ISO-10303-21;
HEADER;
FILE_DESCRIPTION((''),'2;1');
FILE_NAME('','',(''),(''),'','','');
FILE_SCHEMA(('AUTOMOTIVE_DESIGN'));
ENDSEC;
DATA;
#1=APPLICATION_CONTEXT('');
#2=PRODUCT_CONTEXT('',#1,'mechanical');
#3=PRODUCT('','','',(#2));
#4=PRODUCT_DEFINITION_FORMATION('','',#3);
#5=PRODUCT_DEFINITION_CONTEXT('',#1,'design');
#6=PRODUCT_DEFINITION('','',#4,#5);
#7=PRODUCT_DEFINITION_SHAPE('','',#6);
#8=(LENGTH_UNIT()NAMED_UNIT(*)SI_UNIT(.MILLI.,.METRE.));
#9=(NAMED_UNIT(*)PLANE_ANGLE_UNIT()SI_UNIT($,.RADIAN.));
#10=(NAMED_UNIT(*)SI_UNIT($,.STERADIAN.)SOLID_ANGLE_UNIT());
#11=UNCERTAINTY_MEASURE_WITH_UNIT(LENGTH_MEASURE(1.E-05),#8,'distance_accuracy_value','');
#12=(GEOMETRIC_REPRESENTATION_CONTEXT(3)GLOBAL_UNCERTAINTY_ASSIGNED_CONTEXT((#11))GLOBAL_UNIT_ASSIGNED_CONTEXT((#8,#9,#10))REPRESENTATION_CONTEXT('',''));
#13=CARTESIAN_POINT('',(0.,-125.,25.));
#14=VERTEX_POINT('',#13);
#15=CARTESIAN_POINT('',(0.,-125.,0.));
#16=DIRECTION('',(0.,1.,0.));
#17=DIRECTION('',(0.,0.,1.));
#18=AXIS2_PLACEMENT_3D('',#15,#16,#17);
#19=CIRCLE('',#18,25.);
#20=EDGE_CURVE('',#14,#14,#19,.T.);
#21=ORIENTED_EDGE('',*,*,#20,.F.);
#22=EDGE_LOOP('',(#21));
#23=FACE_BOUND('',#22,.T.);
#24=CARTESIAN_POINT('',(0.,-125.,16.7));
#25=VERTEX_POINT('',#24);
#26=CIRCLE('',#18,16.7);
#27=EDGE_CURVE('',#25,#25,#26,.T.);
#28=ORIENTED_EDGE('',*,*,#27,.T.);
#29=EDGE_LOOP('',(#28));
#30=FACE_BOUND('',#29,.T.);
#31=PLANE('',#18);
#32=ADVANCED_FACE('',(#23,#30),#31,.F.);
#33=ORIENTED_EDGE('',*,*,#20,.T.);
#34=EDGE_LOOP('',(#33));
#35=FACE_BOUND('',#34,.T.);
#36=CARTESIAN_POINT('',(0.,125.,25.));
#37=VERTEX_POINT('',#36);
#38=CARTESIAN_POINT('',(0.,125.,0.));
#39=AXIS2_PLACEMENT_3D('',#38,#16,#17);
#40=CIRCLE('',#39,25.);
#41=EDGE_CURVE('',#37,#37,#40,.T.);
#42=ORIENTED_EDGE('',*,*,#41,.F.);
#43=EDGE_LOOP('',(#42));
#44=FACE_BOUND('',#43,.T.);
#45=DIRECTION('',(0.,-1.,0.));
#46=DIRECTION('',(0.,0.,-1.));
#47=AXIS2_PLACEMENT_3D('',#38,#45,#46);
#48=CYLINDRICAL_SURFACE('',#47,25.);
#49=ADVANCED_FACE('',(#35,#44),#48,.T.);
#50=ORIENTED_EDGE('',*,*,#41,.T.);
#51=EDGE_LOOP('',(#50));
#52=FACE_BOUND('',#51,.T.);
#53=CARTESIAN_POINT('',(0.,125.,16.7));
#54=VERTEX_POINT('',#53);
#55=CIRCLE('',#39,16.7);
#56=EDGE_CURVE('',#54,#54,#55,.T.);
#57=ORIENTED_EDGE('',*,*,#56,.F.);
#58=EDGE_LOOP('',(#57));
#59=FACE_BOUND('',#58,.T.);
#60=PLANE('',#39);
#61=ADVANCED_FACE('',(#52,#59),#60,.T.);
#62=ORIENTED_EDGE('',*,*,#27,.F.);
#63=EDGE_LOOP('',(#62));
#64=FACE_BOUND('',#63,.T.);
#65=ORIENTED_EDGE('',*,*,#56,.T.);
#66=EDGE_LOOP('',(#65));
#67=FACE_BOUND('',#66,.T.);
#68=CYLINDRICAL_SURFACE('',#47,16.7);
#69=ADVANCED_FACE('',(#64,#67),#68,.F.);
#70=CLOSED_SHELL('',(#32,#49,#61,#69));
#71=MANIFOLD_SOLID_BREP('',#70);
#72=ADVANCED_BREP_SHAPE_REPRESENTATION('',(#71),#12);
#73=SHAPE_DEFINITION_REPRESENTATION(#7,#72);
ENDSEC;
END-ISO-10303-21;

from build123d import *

# Parameters (mm, degrees)
SKETCH1_R           = 25
SKETCH1_R_2         = 16.7
BOSS_EXTRUDE1_DEPTH = 125


with BuildPart() as part:
    # Sketch1 → Boss-Extrude1 (new body, symmetric)
    with BuildSketch(Plane(origin=(0, 0, 0), x_dir=(1, 0, 0), z_dir=(0, 1, 0))):
        Circle(SKETCH1_R)
        Circle(SKETCH1_R_2, mode=Mode.SUBTRACT)
    extrude(amount=BOSS_EXTRUDE1_DEPTH, both=True)


solid = part.part
